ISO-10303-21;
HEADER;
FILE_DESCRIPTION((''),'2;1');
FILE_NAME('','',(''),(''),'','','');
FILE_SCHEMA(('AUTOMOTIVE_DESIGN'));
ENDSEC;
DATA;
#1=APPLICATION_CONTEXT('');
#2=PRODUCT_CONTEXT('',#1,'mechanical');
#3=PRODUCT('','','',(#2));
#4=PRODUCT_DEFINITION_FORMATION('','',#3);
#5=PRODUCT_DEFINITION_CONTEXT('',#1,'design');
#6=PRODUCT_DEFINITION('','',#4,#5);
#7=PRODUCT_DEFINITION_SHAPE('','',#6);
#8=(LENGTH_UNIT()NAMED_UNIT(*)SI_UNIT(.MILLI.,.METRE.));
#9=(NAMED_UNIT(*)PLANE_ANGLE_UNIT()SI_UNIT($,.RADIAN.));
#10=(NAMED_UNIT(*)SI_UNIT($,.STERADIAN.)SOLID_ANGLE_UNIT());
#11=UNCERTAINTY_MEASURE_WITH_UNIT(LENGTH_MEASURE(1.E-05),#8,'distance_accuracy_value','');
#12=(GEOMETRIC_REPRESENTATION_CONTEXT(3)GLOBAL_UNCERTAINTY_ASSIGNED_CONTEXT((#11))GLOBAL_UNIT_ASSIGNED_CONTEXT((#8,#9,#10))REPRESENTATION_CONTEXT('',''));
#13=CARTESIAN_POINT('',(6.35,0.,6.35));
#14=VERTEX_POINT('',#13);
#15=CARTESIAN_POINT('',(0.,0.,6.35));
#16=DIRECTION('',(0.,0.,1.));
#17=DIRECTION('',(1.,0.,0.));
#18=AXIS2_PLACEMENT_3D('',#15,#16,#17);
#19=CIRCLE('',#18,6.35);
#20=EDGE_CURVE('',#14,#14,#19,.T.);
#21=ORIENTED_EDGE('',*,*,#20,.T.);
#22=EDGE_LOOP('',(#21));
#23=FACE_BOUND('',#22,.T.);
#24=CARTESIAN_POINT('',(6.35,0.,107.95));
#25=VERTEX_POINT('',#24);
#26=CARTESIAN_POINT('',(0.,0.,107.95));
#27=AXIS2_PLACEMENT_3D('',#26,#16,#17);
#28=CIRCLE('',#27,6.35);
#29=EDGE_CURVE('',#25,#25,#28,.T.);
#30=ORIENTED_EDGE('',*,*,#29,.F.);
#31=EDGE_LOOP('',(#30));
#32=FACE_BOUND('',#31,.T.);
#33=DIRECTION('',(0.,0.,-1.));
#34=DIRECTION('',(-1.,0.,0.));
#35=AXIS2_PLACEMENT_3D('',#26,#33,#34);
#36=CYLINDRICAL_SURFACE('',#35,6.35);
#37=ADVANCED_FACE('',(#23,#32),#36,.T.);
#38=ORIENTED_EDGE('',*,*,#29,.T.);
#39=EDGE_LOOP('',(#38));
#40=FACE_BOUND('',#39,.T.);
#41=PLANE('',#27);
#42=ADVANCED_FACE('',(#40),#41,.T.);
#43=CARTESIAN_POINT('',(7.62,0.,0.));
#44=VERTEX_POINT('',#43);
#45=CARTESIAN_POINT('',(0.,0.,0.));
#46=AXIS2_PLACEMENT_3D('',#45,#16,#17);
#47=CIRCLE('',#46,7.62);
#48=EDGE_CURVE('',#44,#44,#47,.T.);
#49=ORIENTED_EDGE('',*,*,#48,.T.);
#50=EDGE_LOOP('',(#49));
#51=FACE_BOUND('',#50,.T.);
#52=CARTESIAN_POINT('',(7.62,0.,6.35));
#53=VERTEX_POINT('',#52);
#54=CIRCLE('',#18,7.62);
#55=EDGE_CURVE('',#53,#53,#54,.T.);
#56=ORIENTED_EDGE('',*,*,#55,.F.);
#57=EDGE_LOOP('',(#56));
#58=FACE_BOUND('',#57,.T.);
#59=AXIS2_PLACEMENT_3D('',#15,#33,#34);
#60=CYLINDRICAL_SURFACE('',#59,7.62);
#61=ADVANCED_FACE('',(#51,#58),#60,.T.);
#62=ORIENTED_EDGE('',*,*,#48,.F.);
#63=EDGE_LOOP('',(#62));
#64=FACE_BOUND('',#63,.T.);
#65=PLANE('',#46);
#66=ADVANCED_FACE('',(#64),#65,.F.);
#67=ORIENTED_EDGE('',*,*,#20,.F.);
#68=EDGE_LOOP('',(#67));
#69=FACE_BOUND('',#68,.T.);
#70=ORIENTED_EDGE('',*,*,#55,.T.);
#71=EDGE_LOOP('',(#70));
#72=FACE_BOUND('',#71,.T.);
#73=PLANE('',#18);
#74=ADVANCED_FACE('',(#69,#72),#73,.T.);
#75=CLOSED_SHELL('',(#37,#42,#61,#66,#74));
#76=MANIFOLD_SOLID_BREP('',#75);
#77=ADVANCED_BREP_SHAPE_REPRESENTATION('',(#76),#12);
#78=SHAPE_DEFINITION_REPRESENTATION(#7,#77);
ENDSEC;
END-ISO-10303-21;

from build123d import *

# Parameters (mm, degrees)
SKETCH1_R           = 7.62
BOSS_EXTRUDE1_DEPTH = 6.35
SKETCH2_R           = 6.35
BOSS_EXTRUDE2_DEPTH = 101.6


with BuildPart() as part:
    # Sketch1 → Boss-Extrude1 (new body)
    with BuildSketch(Plane.XY):
        Circle(SKETCH1_R)
    extrude(amount=BOSS_EXTRUDE1_DEPTH)

    # Sketch2 → Boss-Extrude2 (add)
    with BuildSketch(Plane.XY.offset(6.35)):
        Circle(SKETCH2_R)
    extrude(amount=BOSS_EXTRUDE2_DEPTH)


solid = part.part
